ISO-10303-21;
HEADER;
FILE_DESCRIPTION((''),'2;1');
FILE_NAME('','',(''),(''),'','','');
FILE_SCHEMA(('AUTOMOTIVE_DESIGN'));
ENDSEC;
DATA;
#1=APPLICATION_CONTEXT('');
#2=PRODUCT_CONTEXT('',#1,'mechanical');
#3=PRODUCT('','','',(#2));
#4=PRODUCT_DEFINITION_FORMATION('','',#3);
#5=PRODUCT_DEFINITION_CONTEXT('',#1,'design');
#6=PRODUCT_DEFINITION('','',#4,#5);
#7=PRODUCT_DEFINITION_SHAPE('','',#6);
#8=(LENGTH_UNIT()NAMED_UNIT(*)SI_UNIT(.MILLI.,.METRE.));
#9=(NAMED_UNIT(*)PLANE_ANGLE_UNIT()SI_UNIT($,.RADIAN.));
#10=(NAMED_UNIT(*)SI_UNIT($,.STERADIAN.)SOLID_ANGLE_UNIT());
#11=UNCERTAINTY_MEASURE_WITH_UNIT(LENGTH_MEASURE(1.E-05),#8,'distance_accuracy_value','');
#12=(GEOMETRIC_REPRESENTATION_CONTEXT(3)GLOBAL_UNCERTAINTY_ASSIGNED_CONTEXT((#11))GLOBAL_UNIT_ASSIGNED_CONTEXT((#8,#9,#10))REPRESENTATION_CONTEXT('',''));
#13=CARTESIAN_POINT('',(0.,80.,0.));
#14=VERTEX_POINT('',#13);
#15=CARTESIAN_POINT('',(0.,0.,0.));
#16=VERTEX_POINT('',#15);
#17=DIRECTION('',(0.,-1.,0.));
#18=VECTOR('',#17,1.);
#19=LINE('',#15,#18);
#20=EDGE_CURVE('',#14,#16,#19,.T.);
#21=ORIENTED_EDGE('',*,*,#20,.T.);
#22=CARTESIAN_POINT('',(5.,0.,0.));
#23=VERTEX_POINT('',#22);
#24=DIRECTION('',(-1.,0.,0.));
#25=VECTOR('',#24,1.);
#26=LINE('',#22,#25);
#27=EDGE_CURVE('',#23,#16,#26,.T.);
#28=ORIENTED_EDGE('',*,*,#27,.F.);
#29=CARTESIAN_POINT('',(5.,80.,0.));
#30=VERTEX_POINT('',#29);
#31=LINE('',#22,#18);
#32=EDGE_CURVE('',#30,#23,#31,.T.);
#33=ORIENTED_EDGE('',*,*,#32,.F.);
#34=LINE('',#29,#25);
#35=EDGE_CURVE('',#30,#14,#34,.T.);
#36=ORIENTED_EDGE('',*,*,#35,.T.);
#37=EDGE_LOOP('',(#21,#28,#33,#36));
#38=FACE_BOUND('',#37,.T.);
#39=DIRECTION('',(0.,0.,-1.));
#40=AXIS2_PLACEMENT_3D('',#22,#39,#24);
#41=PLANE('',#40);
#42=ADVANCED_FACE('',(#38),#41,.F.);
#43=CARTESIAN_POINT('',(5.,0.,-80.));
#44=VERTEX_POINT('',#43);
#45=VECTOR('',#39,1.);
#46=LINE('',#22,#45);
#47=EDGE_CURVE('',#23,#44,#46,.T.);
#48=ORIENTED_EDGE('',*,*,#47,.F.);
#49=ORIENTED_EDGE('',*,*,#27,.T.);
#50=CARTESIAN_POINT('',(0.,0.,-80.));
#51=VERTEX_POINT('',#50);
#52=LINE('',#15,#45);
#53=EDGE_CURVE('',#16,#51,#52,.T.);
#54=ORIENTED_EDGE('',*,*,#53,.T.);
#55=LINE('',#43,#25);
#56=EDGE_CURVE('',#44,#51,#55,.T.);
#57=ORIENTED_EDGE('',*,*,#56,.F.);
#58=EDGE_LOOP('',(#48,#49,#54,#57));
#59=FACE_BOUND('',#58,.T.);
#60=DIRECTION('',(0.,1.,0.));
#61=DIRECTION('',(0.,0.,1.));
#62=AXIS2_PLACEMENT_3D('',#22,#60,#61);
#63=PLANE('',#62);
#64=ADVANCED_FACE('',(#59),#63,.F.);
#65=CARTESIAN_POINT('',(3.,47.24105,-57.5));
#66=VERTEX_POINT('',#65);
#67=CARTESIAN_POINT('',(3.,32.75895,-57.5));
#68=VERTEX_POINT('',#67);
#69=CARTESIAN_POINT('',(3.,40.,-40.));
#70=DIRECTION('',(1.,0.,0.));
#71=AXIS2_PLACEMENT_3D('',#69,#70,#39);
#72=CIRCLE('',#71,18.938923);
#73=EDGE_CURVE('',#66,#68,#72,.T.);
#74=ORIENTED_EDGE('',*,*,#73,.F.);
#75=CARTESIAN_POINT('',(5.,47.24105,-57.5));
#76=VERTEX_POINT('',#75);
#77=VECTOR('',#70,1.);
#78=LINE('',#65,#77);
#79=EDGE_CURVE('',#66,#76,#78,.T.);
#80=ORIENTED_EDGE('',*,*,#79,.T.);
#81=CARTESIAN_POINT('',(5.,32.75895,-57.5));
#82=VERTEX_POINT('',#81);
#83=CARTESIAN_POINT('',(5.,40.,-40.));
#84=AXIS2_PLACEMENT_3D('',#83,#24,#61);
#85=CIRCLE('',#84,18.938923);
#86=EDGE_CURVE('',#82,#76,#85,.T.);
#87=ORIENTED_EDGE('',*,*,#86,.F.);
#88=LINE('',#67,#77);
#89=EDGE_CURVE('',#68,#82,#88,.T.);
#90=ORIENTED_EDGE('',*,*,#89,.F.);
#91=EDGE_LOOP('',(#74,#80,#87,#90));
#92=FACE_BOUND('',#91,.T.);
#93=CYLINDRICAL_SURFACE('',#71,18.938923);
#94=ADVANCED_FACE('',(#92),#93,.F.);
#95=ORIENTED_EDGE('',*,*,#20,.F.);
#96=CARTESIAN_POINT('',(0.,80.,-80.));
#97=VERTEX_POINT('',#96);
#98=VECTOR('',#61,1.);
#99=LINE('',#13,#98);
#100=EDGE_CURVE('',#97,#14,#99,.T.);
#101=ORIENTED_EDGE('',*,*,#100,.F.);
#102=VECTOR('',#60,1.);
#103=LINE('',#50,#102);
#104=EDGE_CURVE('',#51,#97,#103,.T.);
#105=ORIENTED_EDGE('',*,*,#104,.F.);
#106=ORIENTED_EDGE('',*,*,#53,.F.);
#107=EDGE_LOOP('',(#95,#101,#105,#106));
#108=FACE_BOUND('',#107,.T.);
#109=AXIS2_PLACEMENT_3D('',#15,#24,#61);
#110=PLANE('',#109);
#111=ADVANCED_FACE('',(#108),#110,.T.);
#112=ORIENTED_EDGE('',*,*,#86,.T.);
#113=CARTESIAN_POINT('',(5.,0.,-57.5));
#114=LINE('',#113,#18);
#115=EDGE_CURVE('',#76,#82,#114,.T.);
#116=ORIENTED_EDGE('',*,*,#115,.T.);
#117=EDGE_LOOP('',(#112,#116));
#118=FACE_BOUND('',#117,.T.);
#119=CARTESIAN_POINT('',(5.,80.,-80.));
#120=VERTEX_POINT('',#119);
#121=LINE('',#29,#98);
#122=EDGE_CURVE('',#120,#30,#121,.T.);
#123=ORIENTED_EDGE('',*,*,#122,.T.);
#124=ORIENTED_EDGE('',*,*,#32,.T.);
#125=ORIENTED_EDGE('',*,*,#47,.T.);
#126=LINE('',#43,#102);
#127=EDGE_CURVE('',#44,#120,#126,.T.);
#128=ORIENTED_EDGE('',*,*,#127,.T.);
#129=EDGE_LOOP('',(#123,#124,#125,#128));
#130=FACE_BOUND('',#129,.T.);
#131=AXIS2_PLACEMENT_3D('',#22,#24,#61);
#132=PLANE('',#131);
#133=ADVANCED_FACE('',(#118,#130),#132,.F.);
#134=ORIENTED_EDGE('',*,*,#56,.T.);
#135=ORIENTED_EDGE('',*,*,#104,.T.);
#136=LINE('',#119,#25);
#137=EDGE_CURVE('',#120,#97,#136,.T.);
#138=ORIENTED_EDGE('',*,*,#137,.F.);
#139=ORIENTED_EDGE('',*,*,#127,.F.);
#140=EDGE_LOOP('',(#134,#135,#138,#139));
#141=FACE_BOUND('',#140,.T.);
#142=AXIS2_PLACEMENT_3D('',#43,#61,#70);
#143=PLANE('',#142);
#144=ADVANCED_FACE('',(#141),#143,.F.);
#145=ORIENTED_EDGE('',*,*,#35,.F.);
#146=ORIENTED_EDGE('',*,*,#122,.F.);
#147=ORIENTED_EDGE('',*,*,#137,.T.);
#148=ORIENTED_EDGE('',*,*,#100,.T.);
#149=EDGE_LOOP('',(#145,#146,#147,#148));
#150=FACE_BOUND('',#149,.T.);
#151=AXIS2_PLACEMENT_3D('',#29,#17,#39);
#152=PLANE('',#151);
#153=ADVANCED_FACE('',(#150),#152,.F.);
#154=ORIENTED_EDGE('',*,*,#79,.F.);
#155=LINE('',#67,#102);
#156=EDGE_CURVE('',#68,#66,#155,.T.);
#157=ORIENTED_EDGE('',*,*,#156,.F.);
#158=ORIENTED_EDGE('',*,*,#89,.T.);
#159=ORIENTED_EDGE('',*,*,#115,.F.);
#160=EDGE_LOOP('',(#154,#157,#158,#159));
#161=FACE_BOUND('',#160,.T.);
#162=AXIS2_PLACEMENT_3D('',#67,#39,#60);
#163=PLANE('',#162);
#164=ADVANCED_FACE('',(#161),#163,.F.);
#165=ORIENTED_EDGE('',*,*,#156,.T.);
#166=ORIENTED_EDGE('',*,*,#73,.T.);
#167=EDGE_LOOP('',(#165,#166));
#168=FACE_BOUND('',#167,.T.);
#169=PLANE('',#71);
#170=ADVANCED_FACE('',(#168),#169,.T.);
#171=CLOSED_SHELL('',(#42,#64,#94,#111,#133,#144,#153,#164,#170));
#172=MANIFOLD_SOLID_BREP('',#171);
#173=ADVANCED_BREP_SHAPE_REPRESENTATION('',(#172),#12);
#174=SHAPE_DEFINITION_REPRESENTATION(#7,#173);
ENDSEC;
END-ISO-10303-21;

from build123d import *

# Parameters (mm, degrees)
SKETCH2_W           = 80
SKETCH2_H           = 80
BOSS_EXTRUDE1_DEPTH = 5
BOSS_EXTRUDE2_DEPTH = 1
CUT_EXTRUDE1_DEPTH  = 3


with BuildPart() as part:
    # Sketch2 → Boss-Extrude1 (new body)
    with BuildSketch(Plane(origin=(0, 0, 0), x_dir=(0, 0, -1), z_dir=(1, 0, 0))):
        with Locations((40, 40)):
            Rectangle(SKETCH2_W, SKETCH2_H)
    extrude(amount=BOSS_EXTRUDE1_DEPTH)

    # Sketch3 → Boss-Extrude2 (add)
    with BuildSketch(Plane(origin=(5, 0, 0), x_dir=(0, 0, -1), z_dir=(1, 0, 0))):
        with BuildLine():
            Line((57, 32.75895), (57, 47.24105))
            ThreePointArc((57, 47.24105), (21.522099548, 40), (57, 32.75895))
        make_face()
    extrude(amount=BOSS_EXTRUDE2_DEPTH)

    # Sketch4 → Cut-Extrude1 (cut)
    with BuildSketch(Plane(origin=(6, 0, 0), x_dir=(0, 0, -1), z_dir=(1, 0, 0))):
        with BuildLine():
            Line((57.5, 32.75895), (57.5, 47.24105))
            ThreePointArc((57.5, 47.24105), (21.061076981, 40), (57.5, 32.75895))
        make_face()
    extrude(amount=-CUT_EXTRUDE1_DEPTH, mode=Mode.SUBTRACT)


solid = part.part
